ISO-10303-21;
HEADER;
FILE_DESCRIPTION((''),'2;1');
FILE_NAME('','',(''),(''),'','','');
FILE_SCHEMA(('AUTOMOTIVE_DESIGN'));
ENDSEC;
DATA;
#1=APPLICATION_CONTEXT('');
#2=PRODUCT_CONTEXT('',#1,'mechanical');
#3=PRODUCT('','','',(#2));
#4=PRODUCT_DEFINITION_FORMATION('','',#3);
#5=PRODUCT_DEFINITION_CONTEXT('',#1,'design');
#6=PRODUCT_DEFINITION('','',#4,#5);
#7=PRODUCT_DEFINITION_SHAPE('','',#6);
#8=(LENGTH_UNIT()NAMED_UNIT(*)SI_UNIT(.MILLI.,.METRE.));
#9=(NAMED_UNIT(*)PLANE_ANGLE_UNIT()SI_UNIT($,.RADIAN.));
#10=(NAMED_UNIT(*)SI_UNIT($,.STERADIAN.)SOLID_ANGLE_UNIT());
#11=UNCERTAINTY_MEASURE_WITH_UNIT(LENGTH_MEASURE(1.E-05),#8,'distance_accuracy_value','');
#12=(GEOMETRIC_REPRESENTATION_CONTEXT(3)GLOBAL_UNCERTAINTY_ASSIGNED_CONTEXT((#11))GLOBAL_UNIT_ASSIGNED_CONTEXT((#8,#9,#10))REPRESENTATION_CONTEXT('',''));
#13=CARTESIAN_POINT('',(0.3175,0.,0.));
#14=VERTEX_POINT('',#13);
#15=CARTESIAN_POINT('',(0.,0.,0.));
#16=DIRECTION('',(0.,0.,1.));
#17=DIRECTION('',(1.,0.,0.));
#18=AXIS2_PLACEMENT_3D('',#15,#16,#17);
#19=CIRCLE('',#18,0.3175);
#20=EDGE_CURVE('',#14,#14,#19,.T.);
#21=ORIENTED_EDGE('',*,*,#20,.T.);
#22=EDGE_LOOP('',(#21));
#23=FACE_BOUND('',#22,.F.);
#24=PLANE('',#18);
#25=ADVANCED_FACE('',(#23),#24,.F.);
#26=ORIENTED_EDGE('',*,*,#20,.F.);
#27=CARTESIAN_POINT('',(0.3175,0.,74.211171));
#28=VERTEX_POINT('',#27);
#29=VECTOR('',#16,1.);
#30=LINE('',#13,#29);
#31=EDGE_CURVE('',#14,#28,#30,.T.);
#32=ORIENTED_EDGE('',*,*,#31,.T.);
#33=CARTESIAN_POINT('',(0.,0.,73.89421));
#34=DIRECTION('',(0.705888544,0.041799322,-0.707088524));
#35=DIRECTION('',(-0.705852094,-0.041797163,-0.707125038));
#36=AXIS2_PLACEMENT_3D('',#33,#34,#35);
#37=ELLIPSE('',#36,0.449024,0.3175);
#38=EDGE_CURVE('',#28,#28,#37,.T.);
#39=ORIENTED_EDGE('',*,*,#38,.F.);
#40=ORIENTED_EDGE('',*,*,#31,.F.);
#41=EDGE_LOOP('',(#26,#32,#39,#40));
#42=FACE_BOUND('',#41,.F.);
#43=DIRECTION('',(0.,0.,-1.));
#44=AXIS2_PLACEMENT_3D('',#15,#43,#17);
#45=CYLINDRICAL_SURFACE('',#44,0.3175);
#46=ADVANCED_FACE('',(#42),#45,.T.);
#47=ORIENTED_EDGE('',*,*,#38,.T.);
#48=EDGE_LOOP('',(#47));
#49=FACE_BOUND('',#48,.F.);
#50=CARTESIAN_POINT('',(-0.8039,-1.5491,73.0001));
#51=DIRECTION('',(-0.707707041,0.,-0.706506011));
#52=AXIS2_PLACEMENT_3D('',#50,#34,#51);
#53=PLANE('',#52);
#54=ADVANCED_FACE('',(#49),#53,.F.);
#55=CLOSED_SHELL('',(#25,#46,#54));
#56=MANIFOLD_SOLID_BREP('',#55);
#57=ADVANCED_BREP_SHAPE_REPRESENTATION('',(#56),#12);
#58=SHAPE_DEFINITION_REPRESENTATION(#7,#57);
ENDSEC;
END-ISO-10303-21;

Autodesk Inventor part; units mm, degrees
ref_plane "YZ Plane" through (0, 0, 0) normal (1, 0, 0) x (0, 1, 0)
sketch "Sketch1" plane through (0, 0, 0) normal (0, 0, 1) x (1, 0, 0)
  circle A0 centre (0, 0) radius 0.3175
  dimension "d0" = 0.635
ref_plane "Work Plane1" through (-17.2208, -17.2208, 280) normal (0, 0, -1) x (0.3158, 0.9488, 0)
ref_plane "Work Plane2" through (-0.8039, -1.5491, 73.0001) normal (0.7059, 0.0418, -0.7071) x (-0.0591, 0.9983, 0)
extrude "Extrusion1" add sketch "Sketch1" along normal up to surface surface through (-0.8039, -1.5491, 73.0001) normal (0.7059, 0.0418, -0.7071)
properties part number "laserbeam1"
